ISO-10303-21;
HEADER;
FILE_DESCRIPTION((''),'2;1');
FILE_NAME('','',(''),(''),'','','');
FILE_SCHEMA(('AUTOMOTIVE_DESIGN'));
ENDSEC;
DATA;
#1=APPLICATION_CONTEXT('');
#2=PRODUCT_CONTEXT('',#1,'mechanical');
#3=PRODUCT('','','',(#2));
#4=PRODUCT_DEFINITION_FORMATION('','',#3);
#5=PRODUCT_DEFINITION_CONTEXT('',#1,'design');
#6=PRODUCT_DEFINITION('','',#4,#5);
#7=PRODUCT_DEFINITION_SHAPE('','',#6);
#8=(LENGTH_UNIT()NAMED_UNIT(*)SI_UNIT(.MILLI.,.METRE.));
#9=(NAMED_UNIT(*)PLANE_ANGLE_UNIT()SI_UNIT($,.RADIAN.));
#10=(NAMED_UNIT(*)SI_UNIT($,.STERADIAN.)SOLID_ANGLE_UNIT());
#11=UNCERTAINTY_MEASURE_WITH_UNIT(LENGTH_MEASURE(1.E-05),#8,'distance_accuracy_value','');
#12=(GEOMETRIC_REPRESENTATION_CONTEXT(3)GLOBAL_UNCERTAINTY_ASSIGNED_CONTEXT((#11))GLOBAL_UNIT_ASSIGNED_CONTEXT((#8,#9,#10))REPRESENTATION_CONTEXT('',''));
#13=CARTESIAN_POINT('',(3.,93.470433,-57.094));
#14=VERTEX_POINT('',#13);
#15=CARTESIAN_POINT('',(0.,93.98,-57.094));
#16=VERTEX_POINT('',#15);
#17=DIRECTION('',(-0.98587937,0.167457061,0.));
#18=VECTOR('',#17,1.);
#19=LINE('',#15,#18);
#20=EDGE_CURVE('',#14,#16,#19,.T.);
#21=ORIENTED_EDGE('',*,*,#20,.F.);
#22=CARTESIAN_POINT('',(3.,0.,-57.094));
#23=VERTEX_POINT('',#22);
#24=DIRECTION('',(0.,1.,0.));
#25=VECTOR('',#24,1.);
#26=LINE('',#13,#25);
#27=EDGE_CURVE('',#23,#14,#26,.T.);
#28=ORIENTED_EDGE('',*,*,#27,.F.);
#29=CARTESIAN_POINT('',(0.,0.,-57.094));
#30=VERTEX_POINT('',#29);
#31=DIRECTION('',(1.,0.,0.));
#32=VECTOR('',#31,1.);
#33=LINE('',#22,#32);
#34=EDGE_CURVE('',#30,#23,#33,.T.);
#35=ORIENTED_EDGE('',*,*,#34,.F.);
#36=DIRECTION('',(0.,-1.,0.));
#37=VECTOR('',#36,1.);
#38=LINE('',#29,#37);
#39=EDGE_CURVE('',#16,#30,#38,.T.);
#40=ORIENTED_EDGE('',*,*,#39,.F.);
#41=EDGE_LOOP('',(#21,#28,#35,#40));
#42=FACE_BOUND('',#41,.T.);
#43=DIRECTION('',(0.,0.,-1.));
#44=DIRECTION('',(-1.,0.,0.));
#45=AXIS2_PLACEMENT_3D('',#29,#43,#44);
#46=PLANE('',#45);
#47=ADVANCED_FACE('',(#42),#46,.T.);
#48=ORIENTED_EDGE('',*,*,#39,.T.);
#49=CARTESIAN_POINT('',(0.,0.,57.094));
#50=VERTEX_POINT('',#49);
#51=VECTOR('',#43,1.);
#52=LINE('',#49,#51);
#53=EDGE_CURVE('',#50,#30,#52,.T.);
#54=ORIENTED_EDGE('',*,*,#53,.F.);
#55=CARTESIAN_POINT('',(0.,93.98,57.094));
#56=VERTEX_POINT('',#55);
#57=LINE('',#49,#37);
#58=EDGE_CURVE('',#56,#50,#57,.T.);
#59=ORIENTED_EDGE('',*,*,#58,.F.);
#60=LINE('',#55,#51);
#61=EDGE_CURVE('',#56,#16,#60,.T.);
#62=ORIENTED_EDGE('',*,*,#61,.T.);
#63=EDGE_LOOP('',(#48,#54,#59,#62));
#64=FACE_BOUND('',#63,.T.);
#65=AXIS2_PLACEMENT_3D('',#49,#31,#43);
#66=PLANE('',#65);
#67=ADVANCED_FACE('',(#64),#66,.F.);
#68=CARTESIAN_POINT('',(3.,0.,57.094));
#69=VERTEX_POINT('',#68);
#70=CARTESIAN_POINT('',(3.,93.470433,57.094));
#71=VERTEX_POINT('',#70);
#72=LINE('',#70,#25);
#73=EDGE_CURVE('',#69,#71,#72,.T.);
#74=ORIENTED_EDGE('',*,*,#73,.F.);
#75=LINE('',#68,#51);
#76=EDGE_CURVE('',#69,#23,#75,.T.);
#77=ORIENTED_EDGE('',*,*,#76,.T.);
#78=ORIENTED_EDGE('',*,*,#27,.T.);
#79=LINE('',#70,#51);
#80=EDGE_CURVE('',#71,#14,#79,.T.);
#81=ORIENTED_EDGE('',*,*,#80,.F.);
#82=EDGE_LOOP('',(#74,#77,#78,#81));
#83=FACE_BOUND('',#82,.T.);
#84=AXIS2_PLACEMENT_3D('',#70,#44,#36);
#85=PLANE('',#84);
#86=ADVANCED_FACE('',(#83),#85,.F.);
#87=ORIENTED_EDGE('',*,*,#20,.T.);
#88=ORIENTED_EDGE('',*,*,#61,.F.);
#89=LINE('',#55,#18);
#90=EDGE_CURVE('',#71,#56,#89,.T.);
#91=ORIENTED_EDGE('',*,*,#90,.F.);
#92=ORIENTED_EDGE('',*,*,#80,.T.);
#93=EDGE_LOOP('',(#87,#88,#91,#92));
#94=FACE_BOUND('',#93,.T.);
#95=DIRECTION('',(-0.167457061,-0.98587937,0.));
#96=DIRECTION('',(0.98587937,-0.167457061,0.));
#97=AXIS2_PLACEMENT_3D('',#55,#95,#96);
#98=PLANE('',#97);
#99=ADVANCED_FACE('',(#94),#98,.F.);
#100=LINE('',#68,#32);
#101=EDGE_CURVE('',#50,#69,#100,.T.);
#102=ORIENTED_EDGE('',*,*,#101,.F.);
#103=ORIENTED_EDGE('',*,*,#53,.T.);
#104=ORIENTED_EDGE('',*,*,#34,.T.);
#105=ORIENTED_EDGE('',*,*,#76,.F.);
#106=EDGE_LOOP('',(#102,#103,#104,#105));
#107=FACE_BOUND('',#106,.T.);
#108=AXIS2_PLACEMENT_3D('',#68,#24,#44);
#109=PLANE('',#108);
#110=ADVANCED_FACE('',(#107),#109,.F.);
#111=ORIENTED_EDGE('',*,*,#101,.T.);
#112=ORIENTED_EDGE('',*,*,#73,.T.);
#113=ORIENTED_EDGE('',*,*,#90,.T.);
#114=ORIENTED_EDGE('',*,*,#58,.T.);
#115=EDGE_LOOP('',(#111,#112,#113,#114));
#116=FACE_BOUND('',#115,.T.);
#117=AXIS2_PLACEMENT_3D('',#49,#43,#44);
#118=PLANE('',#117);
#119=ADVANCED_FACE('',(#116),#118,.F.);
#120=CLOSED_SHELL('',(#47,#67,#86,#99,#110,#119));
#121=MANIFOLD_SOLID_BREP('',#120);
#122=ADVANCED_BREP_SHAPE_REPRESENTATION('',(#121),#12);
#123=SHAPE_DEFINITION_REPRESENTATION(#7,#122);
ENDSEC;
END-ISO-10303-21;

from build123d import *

# Parameters (mm, degrees)
BOSS_EXTRUDE1_DEPTH = 57.094


with BuildPart() as part:
    # Sketch1 → Boss-Extrude1 (new body, symmetric)
    with BuildSketch(Plane.XY):
        Polygon((0, 0), (0, 93.98), (3, 93.470433416), (3, 0), align=None)
    extrude(amount=BOSS_EXTRUDE1_DEPTH, both=True)


solid = part.part
